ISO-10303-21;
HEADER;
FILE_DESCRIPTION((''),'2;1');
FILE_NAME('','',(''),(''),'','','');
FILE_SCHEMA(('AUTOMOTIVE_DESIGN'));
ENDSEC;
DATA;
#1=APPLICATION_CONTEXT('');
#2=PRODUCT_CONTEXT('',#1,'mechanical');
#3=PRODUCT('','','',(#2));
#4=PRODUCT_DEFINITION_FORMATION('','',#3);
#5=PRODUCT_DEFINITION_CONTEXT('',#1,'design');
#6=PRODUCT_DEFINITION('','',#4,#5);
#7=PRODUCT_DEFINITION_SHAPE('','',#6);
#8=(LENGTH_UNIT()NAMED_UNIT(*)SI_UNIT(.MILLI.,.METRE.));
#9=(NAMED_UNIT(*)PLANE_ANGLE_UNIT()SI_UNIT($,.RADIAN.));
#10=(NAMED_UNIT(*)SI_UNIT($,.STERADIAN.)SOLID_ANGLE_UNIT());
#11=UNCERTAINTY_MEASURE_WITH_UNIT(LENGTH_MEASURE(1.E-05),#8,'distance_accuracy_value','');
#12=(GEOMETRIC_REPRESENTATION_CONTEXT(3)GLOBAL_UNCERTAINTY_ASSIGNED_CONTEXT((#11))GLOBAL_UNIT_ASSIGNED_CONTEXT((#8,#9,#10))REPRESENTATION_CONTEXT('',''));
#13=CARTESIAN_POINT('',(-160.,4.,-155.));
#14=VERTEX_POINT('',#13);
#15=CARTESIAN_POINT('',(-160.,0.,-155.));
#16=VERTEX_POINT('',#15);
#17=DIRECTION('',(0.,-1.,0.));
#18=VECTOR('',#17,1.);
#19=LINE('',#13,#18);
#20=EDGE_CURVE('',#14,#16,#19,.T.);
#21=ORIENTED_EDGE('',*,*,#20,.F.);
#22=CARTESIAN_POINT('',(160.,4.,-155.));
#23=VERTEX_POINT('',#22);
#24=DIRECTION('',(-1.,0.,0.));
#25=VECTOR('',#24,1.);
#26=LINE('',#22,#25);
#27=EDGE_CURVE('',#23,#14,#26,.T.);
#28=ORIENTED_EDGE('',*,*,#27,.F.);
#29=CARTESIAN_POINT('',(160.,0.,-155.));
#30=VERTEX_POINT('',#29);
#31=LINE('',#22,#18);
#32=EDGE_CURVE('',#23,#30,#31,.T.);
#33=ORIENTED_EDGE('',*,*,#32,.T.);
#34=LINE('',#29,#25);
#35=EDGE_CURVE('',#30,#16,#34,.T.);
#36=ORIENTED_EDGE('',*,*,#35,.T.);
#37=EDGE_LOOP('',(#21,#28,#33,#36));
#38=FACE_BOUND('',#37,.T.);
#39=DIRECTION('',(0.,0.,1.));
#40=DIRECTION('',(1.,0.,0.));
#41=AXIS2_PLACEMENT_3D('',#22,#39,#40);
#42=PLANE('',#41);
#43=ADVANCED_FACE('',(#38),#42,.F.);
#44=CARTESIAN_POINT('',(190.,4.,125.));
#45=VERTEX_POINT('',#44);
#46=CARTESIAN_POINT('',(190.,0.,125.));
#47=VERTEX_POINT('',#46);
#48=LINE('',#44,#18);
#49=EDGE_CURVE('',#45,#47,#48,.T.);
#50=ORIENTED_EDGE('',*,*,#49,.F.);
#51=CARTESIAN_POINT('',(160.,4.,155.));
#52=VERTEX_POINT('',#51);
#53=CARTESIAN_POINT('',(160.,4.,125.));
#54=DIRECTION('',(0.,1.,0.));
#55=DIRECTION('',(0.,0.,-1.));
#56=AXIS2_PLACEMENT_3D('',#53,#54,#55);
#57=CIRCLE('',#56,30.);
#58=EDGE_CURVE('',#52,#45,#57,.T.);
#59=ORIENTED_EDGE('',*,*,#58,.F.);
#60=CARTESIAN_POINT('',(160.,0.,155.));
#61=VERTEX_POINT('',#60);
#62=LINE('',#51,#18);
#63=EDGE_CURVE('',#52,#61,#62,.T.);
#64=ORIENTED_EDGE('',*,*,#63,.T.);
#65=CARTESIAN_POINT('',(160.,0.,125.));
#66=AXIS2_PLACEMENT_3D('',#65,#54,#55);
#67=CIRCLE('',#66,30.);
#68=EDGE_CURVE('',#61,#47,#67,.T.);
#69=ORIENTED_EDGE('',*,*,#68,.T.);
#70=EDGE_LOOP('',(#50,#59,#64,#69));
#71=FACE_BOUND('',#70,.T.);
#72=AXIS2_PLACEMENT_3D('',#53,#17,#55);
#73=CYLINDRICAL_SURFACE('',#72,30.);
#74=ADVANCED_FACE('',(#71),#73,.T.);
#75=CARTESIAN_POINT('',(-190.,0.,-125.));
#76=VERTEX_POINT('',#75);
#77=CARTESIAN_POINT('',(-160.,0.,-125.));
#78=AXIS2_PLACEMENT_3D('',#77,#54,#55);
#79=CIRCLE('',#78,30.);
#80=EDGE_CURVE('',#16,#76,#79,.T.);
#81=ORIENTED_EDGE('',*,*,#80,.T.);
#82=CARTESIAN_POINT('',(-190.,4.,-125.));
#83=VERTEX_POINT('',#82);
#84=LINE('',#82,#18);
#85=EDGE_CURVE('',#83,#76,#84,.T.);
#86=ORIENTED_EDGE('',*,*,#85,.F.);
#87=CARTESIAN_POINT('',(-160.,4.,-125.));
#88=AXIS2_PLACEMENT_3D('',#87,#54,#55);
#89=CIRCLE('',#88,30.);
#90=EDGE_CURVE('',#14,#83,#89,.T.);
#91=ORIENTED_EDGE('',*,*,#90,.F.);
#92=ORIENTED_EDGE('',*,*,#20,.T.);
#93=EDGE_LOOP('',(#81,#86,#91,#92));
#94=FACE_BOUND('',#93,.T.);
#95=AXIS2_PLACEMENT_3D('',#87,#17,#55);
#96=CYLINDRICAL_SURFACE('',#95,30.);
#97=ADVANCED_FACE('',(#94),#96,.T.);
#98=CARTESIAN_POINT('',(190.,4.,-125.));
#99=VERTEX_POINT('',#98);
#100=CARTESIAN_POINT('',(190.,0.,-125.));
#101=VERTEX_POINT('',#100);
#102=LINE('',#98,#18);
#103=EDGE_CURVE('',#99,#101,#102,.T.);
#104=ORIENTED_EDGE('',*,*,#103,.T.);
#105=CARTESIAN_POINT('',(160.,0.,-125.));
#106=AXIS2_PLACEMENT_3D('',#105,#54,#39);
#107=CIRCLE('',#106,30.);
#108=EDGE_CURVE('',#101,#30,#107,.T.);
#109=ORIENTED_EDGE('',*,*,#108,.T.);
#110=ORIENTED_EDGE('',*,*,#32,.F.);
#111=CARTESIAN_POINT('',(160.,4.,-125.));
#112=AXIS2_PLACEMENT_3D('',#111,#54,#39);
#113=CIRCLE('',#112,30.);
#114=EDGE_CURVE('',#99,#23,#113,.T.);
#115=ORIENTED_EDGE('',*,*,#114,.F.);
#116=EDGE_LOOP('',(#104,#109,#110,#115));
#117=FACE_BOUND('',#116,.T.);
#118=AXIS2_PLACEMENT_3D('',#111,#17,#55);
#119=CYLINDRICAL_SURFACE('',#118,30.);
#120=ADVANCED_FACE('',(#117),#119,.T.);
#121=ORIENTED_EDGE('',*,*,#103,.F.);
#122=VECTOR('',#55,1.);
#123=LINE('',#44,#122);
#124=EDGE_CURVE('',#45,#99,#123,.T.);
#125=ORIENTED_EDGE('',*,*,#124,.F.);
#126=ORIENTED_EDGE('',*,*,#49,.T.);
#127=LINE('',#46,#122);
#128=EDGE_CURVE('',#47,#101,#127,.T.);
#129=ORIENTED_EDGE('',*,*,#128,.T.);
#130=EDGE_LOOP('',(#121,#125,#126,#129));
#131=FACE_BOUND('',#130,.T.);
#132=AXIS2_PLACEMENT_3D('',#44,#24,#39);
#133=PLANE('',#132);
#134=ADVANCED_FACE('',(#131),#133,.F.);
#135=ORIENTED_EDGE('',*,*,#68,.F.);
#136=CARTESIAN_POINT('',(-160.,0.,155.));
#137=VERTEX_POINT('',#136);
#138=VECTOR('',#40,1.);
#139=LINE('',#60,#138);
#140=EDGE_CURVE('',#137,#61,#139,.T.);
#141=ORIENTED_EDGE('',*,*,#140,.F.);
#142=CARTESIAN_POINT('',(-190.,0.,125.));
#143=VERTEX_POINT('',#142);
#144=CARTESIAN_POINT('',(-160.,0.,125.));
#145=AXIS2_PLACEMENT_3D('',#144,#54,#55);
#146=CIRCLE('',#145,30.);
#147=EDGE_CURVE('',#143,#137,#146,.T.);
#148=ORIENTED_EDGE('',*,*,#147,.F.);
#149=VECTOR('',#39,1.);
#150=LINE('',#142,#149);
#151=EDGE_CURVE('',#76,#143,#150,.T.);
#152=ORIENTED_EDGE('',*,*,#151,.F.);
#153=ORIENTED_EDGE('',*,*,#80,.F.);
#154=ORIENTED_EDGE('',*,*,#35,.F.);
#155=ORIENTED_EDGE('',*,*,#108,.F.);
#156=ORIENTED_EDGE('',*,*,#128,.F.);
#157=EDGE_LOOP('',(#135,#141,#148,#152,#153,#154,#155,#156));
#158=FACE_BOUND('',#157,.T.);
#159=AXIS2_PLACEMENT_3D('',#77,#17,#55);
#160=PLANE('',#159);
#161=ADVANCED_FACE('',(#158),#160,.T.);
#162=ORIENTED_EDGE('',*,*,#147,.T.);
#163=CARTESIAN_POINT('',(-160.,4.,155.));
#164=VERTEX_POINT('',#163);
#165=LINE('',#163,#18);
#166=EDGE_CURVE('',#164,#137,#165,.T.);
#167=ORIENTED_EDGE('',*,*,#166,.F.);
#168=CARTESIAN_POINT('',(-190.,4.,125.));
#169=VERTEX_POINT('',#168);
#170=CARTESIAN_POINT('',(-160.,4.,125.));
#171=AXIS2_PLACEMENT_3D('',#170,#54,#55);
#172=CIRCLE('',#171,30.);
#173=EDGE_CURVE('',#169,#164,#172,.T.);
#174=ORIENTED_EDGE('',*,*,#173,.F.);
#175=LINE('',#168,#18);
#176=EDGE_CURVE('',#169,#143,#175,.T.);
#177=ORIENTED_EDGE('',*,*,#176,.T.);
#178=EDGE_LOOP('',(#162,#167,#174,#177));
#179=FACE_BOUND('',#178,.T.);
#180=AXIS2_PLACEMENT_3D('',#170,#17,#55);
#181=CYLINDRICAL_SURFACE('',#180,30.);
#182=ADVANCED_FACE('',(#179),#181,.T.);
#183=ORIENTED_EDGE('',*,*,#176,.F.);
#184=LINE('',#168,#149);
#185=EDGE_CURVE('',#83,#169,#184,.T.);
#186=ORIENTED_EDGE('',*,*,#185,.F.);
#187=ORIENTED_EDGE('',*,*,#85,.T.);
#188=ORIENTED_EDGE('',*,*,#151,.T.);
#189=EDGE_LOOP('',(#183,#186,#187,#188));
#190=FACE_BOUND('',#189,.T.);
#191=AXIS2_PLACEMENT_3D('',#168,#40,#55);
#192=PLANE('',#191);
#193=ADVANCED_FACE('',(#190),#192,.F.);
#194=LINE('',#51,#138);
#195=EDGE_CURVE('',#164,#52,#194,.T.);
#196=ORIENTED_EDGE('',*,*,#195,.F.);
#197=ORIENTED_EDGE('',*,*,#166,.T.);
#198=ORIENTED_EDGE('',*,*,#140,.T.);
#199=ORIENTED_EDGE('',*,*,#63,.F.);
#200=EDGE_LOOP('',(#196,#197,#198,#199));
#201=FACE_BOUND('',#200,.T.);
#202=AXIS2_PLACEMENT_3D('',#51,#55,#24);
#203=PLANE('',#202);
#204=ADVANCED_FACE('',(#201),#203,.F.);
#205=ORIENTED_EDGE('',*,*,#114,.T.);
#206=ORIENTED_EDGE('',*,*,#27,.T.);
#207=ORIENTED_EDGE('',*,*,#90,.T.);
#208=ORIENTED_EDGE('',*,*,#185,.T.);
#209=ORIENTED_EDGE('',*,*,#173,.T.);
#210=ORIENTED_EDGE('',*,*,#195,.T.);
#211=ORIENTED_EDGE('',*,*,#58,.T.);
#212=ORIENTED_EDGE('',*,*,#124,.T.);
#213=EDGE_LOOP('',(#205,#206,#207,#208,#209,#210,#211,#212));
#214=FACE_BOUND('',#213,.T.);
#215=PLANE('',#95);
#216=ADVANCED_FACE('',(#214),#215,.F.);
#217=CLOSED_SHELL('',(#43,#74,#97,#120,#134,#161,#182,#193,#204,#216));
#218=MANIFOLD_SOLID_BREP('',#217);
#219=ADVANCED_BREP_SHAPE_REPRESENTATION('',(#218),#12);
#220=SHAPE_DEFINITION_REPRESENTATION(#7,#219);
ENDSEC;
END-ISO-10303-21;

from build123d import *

# Parameters (mm, degrees)
BOSS_EXTRUDE1_DEPTH = 4


with BuildPart() as part:
    # Sketch1 → Boss-Extrude1 (new body)
    with BuildSketch(Plane(origin=(0, 0, 0), x_dir=(1, 0, 0), z_dir=(0, 1, 0))):
        with BuildLine():
            Line((160, -155), (-160, -155))
            ThreePointArc((-160, -155), (-181.213203436, -146.213203436), (-190, -125))
            Line((-190, -125), (-190, 125))
            ThreePointArc((-190, 125), (-181.213203436, 146.213203436), (-160, 155))
            Line((-160, 155), (160, 155))
            ThreePointArc((160, 155), (181.213203436, 146.213203436), (190, 125))
            Line((190, 125), (190, -125))
            ThreePointArc((190, -125), (181.213203436, -146.213203436), (160, -155))
        make_face()
    extrude(amount=BOSS_EXTRUDE1_DEPTH)


solid = part.part
